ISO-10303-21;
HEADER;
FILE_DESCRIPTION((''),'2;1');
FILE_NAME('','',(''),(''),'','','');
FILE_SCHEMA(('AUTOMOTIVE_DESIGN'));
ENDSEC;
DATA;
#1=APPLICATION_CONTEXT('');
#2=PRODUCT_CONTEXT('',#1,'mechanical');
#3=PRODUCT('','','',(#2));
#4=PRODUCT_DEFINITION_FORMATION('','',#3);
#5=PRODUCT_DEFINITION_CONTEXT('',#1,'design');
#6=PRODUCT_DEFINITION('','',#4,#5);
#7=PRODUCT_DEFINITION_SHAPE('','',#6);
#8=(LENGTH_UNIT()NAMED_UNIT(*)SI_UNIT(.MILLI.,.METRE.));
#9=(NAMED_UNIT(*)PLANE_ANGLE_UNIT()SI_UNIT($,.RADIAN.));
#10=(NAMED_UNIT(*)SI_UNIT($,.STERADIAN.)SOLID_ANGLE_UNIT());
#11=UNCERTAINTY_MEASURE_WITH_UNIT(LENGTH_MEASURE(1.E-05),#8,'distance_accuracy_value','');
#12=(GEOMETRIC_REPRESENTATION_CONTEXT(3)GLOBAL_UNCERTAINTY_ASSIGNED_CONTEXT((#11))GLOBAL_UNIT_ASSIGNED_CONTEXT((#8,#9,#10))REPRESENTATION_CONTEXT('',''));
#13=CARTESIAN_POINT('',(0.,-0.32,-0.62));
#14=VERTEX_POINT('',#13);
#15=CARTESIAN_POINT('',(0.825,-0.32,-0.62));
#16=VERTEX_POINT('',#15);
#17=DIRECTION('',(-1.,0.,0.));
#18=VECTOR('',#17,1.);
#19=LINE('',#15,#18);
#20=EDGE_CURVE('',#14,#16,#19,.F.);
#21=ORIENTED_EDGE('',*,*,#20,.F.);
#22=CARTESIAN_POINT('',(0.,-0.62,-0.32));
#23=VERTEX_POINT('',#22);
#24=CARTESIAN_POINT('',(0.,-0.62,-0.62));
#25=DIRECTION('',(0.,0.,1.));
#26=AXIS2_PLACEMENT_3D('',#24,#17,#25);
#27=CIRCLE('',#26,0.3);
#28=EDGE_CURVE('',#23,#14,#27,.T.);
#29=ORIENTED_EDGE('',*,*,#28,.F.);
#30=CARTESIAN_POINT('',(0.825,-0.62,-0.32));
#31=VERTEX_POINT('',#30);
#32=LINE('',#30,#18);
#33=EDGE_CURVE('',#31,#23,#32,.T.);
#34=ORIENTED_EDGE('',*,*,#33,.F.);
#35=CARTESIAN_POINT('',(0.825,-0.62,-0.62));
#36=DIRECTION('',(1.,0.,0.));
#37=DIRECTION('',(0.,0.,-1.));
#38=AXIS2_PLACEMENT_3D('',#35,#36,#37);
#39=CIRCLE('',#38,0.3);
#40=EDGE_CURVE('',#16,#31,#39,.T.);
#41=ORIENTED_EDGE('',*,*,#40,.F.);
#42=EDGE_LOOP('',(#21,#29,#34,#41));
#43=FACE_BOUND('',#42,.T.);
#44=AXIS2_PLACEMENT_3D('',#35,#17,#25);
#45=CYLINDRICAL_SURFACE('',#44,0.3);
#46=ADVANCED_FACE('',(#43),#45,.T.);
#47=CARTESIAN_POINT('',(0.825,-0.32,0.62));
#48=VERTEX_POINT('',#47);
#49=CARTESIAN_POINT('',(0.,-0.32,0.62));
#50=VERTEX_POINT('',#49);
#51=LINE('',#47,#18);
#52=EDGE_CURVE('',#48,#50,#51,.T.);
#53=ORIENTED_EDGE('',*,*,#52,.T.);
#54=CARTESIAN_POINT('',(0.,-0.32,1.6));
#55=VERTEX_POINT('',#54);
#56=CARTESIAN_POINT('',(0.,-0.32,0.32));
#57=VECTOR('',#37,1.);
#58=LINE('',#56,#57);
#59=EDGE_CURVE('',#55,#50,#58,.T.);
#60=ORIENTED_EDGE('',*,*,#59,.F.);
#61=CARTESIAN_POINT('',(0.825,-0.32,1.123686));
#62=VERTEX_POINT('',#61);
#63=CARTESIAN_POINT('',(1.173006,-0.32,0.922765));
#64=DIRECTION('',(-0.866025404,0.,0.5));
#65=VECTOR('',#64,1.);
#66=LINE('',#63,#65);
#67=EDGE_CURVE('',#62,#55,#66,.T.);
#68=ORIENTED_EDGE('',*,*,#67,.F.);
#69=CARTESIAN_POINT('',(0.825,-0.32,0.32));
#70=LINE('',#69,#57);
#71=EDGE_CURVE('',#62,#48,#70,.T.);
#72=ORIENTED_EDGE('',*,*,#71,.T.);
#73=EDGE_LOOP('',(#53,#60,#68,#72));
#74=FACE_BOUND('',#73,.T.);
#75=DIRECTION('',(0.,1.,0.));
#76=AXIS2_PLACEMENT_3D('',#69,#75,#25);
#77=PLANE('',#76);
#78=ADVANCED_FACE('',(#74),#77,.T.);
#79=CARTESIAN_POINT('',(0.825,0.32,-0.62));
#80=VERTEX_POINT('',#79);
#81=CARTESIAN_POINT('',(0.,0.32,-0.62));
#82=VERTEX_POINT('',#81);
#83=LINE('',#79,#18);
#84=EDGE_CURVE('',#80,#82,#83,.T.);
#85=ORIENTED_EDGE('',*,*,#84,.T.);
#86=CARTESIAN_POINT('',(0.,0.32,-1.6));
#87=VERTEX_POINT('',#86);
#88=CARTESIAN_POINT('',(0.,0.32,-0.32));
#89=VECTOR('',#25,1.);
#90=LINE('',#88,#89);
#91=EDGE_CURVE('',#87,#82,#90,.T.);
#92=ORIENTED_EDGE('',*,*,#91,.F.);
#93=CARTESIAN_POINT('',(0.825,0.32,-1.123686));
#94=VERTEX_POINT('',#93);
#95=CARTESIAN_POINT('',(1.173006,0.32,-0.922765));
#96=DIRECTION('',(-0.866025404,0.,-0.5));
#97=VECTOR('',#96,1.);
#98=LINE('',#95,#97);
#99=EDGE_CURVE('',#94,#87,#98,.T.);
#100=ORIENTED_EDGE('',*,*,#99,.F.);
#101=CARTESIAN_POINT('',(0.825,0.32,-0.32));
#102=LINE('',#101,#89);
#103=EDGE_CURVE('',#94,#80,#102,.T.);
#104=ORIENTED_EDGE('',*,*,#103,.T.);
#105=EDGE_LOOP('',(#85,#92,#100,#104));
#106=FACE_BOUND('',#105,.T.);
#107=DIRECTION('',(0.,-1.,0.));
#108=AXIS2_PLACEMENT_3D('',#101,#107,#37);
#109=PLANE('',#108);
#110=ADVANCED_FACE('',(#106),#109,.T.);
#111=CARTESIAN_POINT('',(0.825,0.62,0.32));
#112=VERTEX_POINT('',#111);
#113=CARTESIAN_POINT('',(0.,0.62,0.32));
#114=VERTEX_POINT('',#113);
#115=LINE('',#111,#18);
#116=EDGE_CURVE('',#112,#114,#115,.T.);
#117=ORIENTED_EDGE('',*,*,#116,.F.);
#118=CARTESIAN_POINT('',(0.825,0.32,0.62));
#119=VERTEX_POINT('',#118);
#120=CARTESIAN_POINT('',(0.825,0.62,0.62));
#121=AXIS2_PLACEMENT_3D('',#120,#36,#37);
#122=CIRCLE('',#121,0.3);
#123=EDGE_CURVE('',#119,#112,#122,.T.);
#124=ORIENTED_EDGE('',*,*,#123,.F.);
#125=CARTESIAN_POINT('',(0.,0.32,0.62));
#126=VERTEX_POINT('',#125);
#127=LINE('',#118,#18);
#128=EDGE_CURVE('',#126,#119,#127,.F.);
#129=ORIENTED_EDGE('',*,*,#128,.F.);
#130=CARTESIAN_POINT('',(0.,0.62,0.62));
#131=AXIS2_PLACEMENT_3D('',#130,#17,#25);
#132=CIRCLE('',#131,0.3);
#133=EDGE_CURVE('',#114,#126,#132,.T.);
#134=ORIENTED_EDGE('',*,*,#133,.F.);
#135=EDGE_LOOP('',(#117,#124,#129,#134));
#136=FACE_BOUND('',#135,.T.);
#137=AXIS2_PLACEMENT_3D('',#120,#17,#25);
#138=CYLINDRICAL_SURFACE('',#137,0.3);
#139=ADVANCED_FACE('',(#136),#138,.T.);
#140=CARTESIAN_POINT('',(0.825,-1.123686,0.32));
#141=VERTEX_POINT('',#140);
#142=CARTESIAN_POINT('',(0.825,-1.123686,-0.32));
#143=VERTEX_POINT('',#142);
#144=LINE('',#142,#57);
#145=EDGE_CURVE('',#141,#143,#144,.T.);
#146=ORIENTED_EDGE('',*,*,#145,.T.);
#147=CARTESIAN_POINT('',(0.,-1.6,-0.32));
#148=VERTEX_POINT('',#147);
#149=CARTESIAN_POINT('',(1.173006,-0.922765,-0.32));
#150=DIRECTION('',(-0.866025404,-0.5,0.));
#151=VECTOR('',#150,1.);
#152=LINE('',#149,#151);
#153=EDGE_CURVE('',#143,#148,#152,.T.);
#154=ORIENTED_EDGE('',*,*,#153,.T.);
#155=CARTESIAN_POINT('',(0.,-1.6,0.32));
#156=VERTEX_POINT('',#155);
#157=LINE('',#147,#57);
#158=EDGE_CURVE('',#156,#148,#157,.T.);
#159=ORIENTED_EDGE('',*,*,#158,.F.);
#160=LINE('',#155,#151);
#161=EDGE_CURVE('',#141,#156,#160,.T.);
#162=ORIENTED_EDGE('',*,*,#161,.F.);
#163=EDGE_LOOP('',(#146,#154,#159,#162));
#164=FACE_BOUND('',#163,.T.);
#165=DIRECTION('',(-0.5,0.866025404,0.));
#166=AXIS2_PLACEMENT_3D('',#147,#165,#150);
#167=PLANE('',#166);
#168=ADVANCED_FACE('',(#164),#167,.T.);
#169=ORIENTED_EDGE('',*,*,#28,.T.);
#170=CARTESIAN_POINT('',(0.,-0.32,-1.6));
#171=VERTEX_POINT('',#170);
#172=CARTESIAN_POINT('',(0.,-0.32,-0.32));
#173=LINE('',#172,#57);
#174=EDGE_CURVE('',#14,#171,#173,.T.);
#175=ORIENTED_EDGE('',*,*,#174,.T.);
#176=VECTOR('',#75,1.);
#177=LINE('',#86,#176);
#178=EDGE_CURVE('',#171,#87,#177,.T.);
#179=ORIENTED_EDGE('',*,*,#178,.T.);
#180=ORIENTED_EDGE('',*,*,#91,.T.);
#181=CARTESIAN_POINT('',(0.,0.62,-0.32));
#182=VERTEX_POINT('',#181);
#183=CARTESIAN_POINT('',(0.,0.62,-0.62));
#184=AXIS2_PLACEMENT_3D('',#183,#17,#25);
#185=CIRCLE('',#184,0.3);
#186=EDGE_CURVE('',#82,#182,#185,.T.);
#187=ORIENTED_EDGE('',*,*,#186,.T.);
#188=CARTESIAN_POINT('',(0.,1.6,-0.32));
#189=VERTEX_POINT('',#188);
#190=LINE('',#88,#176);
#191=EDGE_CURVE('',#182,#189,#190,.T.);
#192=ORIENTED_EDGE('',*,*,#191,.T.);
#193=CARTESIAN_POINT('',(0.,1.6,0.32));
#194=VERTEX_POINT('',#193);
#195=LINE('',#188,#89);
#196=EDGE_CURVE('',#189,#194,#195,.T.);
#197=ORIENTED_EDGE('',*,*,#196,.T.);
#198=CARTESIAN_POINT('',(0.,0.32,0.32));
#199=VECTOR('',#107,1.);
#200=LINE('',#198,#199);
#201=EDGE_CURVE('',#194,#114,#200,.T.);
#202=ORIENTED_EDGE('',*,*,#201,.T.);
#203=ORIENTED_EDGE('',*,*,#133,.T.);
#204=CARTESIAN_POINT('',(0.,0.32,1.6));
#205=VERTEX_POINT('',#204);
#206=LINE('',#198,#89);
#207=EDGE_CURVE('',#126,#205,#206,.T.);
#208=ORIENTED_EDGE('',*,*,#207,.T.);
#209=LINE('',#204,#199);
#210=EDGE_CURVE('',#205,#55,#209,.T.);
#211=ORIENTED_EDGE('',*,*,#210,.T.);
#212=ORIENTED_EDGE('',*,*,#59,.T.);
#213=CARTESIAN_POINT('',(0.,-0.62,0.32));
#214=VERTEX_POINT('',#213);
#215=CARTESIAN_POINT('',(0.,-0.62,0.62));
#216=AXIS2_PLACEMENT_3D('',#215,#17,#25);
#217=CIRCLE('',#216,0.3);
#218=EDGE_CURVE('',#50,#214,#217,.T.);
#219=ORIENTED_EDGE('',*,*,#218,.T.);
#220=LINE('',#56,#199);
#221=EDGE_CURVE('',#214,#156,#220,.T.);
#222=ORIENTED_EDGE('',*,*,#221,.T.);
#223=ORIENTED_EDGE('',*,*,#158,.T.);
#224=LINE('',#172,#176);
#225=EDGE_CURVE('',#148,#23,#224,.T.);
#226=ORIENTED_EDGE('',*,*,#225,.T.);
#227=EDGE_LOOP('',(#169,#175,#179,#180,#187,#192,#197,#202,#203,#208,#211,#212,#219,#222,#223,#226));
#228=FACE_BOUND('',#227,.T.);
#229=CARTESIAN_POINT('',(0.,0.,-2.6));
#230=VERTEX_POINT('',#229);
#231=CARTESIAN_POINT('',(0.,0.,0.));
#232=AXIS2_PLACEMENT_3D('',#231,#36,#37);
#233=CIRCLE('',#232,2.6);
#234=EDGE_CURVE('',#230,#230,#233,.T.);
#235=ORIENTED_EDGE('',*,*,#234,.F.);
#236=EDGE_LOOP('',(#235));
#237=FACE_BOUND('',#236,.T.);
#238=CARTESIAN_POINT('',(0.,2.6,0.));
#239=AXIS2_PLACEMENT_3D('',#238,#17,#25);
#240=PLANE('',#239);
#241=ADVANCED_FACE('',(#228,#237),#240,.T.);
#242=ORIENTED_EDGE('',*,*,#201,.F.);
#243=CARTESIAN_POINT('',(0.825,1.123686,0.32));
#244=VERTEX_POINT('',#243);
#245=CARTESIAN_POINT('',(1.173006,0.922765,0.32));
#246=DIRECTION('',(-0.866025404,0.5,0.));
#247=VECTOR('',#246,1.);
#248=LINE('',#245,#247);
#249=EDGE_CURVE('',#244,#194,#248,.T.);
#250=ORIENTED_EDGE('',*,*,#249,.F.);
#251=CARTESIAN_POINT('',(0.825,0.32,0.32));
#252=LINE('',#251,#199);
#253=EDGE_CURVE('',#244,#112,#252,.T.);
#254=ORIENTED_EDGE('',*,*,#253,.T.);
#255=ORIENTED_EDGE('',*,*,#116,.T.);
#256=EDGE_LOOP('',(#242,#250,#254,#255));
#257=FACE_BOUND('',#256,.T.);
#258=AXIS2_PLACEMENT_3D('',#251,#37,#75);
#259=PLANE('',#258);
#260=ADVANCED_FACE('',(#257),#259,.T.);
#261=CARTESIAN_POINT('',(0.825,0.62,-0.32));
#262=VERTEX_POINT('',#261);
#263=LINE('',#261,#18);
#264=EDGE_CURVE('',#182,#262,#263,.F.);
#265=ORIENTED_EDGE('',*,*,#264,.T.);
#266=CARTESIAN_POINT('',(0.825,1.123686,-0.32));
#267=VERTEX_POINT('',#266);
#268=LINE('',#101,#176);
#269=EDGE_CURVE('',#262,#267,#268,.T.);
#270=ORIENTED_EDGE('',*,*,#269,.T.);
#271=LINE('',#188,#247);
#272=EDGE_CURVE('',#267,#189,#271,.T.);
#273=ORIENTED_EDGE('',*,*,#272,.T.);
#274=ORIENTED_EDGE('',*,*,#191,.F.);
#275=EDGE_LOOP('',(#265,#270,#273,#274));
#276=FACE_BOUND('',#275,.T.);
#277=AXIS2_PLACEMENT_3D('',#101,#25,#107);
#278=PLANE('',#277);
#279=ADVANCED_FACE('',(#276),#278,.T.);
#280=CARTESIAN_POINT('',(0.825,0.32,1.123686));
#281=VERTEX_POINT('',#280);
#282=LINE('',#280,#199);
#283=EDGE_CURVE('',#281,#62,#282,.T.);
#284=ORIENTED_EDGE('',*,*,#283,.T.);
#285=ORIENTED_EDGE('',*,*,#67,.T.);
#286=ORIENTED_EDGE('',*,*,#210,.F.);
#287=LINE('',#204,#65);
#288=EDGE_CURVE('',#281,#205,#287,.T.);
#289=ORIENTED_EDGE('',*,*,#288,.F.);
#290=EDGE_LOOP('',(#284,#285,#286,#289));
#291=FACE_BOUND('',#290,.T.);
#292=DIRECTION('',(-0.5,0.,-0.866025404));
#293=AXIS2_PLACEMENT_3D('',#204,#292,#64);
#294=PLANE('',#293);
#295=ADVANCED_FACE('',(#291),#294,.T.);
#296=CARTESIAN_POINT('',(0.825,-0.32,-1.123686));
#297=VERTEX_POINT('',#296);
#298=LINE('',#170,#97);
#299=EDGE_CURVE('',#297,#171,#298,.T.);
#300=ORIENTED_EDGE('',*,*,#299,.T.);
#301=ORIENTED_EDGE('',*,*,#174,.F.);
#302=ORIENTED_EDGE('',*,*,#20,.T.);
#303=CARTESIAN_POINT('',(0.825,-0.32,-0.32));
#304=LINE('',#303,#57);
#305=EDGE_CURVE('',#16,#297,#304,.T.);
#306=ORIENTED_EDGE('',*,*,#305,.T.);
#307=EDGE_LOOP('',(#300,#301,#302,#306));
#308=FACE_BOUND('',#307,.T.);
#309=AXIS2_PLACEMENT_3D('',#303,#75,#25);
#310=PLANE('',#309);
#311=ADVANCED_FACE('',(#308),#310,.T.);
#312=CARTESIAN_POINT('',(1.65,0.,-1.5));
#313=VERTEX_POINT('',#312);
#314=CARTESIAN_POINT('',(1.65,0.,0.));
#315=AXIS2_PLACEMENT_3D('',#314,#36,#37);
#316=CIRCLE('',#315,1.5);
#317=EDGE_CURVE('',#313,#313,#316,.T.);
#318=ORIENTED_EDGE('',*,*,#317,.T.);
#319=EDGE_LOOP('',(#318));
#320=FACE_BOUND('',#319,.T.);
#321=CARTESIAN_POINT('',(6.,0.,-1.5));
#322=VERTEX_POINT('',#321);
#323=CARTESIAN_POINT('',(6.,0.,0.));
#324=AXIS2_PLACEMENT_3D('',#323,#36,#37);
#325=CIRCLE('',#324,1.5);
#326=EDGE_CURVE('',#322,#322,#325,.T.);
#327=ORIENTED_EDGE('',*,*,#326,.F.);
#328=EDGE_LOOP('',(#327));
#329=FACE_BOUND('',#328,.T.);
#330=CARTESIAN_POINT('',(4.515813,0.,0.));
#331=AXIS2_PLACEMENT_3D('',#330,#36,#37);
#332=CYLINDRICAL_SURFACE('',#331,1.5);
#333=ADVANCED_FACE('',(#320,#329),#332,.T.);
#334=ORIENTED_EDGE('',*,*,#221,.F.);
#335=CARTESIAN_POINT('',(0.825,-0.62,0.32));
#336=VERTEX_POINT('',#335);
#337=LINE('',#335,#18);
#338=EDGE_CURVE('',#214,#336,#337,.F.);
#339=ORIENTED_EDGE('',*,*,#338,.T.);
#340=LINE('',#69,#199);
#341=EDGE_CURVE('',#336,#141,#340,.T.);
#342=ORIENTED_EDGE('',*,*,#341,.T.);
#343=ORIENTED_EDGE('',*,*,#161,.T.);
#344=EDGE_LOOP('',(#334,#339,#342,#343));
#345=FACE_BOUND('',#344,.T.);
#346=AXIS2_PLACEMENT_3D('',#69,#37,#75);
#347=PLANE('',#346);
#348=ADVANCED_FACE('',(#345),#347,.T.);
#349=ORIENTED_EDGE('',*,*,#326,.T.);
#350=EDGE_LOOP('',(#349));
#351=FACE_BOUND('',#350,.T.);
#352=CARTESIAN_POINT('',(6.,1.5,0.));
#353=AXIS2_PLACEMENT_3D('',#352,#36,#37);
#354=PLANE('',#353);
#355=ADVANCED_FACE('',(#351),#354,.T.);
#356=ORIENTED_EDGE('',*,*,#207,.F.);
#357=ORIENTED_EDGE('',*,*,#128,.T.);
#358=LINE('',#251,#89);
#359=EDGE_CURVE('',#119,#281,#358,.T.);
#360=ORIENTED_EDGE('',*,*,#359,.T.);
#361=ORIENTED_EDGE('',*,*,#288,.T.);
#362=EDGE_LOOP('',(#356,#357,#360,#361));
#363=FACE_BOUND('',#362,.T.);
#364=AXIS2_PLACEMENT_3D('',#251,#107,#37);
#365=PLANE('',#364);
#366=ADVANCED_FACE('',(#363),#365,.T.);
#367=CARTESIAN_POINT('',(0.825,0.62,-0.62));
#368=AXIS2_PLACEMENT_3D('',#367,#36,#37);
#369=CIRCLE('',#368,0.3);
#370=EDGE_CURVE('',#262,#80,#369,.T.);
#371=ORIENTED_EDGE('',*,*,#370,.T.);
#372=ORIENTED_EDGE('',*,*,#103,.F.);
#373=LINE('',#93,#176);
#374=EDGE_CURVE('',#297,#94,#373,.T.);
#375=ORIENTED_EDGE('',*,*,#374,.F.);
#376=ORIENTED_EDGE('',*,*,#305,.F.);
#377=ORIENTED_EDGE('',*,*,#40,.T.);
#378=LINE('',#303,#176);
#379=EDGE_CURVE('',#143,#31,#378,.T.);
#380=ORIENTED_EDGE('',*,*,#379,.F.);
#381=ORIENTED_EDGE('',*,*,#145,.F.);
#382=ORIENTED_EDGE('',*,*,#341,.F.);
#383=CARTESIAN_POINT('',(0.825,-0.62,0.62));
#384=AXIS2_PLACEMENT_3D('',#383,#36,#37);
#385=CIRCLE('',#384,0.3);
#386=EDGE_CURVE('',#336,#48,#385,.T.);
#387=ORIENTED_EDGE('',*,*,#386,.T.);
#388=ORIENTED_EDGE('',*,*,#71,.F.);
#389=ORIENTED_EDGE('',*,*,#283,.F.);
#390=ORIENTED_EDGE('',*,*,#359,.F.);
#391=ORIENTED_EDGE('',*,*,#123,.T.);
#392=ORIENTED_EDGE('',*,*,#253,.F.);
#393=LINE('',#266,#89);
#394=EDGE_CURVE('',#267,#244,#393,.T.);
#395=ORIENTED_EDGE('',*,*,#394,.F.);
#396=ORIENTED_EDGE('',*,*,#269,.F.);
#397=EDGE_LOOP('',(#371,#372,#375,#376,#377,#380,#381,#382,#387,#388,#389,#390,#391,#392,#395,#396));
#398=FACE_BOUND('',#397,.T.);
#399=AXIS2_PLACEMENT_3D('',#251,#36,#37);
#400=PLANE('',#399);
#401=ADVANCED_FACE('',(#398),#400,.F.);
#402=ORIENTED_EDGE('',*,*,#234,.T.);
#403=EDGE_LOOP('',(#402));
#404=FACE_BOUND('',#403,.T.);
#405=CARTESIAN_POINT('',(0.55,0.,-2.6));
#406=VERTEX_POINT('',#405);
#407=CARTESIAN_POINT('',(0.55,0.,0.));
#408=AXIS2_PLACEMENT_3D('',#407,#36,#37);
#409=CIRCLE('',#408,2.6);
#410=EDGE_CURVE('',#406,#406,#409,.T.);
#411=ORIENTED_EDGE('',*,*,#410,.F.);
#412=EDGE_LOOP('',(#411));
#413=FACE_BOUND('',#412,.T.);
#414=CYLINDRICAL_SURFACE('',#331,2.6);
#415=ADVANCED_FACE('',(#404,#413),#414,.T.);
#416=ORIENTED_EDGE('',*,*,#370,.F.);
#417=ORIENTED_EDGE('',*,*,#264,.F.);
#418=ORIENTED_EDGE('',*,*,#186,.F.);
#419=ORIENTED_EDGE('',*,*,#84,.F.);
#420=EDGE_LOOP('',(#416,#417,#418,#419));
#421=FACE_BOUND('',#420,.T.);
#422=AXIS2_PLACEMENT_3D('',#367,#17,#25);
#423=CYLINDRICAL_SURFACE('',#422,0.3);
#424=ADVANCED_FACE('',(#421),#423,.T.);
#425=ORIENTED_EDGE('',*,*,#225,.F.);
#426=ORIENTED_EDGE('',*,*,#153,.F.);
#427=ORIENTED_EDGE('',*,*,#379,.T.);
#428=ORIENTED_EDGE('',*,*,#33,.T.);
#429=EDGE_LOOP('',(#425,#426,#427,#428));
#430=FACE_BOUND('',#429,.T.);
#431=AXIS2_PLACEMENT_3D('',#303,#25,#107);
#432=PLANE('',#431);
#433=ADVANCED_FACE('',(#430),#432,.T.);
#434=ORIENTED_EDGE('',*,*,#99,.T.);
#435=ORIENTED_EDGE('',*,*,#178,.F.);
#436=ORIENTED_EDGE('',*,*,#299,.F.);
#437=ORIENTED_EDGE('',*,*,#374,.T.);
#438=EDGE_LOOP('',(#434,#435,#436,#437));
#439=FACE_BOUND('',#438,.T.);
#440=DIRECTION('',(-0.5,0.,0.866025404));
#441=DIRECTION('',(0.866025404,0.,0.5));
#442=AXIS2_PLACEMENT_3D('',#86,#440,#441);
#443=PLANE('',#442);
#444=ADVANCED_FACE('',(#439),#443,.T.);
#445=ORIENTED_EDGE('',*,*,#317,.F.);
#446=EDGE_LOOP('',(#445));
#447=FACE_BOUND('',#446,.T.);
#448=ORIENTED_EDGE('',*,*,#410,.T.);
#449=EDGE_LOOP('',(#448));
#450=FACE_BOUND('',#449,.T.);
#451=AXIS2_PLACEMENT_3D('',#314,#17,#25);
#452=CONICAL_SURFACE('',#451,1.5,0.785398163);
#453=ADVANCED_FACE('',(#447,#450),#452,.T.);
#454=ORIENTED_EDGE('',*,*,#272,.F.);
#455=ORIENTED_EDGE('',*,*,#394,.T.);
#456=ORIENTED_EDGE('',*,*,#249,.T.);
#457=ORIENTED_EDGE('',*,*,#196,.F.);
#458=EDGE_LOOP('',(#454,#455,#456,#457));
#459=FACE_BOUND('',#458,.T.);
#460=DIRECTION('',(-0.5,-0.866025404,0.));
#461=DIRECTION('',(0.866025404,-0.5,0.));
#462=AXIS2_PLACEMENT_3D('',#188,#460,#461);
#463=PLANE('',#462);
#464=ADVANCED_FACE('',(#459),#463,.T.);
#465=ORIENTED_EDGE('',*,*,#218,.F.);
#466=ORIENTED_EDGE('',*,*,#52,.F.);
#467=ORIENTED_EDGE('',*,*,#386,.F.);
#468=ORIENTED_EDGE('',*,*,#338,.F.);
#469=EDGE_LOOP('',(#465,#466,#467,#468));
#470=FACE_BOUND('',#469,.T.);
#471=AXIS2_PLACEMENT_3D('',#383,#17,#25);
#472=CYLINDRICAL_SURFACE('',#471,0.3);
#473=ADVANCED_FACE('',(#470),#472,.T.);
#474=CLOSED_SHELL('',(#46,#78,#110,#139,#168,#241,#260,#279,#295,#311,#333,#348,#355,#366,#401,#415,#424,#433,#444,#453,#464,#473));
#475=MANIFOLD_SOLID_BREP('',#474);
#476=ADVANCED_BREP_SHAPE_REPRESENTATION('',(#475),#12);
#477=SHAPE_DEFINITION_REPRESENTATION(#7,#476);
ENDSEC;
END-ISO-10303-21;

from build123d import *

# Parameters (mm, degrees)
CROSSRECESS_DEPTH = 0.825
DRAFT9_ANGLE      = 30
FILLET5_R         = 0.3


with BuildPart() as part:
    # Sketch1 → Base (revolve)
    with BuildSketch(Plane.XY, mode=Mode.PRIVATE) as base_sk:
        Polygon((6, 1.5), (2.65, 1.5), (1.65, 1.5), (0.55, 2.6), (0, 2.6), (0, 0), (6, 0), align=None)
    revolve(base_sk.sketch.rotate(Axis((4.515812911, 0, 0), (-1, 0, 0)), 90), axis=Axis((4.515812911, 0, 0), (-1, 0, 0)))

    # Sketch6 → CrossRecess (cut)
    with BuildSketch(Plane(origin=(0, 0, 0), x_dir=(0, 0, -1), z_dir=(1, 0, 0))):
        Polygon((0.32, 0.32), (0.32, 1.6), (-0.32, 1.6), (-0.32, 0.32), (-1.6, 0.32), (-1.6, -0.32), (-0.32, -0.32), (-0.32, -1.6), (0.32, -1.6), (0.32, -0.32), (1.6, -0.32), (1.6, 0.32), align=None)
    extrude(amount=CROSSRECESS_DEPTH, mode=Mode.SUBTRACT)

    # Draft9
    draft9_faces = [part.faces().sort_by_distance(p)[0] for p in [
        (0.4125, 1.6, 0),
        (0.4125, 0, 1.6),
        (0.4125, -1.6, 0),
        (0.4125, 0, -1.6),
    ]]
    draft(draft9_faces, Plane(origin=(0, 2.6, 0), x_dir=(0, 0, -1), z_dir=(-1, 0, 0)), DRAFT9_ANGLE)

    # Fillet5
    fillet5_edges = [part.edges().sort_by_distance(p)[0] for p in [
        (0.4125, 0.32, 0.32),
        (0.4125, -0.32, 0.32),
        (0.4125, -0.32, -0.32),
        (0.4125, 0.32, -0.32),
    ]]
    fillet(fillet5_edges, radius=FILLET5_R)


solid = part.part
